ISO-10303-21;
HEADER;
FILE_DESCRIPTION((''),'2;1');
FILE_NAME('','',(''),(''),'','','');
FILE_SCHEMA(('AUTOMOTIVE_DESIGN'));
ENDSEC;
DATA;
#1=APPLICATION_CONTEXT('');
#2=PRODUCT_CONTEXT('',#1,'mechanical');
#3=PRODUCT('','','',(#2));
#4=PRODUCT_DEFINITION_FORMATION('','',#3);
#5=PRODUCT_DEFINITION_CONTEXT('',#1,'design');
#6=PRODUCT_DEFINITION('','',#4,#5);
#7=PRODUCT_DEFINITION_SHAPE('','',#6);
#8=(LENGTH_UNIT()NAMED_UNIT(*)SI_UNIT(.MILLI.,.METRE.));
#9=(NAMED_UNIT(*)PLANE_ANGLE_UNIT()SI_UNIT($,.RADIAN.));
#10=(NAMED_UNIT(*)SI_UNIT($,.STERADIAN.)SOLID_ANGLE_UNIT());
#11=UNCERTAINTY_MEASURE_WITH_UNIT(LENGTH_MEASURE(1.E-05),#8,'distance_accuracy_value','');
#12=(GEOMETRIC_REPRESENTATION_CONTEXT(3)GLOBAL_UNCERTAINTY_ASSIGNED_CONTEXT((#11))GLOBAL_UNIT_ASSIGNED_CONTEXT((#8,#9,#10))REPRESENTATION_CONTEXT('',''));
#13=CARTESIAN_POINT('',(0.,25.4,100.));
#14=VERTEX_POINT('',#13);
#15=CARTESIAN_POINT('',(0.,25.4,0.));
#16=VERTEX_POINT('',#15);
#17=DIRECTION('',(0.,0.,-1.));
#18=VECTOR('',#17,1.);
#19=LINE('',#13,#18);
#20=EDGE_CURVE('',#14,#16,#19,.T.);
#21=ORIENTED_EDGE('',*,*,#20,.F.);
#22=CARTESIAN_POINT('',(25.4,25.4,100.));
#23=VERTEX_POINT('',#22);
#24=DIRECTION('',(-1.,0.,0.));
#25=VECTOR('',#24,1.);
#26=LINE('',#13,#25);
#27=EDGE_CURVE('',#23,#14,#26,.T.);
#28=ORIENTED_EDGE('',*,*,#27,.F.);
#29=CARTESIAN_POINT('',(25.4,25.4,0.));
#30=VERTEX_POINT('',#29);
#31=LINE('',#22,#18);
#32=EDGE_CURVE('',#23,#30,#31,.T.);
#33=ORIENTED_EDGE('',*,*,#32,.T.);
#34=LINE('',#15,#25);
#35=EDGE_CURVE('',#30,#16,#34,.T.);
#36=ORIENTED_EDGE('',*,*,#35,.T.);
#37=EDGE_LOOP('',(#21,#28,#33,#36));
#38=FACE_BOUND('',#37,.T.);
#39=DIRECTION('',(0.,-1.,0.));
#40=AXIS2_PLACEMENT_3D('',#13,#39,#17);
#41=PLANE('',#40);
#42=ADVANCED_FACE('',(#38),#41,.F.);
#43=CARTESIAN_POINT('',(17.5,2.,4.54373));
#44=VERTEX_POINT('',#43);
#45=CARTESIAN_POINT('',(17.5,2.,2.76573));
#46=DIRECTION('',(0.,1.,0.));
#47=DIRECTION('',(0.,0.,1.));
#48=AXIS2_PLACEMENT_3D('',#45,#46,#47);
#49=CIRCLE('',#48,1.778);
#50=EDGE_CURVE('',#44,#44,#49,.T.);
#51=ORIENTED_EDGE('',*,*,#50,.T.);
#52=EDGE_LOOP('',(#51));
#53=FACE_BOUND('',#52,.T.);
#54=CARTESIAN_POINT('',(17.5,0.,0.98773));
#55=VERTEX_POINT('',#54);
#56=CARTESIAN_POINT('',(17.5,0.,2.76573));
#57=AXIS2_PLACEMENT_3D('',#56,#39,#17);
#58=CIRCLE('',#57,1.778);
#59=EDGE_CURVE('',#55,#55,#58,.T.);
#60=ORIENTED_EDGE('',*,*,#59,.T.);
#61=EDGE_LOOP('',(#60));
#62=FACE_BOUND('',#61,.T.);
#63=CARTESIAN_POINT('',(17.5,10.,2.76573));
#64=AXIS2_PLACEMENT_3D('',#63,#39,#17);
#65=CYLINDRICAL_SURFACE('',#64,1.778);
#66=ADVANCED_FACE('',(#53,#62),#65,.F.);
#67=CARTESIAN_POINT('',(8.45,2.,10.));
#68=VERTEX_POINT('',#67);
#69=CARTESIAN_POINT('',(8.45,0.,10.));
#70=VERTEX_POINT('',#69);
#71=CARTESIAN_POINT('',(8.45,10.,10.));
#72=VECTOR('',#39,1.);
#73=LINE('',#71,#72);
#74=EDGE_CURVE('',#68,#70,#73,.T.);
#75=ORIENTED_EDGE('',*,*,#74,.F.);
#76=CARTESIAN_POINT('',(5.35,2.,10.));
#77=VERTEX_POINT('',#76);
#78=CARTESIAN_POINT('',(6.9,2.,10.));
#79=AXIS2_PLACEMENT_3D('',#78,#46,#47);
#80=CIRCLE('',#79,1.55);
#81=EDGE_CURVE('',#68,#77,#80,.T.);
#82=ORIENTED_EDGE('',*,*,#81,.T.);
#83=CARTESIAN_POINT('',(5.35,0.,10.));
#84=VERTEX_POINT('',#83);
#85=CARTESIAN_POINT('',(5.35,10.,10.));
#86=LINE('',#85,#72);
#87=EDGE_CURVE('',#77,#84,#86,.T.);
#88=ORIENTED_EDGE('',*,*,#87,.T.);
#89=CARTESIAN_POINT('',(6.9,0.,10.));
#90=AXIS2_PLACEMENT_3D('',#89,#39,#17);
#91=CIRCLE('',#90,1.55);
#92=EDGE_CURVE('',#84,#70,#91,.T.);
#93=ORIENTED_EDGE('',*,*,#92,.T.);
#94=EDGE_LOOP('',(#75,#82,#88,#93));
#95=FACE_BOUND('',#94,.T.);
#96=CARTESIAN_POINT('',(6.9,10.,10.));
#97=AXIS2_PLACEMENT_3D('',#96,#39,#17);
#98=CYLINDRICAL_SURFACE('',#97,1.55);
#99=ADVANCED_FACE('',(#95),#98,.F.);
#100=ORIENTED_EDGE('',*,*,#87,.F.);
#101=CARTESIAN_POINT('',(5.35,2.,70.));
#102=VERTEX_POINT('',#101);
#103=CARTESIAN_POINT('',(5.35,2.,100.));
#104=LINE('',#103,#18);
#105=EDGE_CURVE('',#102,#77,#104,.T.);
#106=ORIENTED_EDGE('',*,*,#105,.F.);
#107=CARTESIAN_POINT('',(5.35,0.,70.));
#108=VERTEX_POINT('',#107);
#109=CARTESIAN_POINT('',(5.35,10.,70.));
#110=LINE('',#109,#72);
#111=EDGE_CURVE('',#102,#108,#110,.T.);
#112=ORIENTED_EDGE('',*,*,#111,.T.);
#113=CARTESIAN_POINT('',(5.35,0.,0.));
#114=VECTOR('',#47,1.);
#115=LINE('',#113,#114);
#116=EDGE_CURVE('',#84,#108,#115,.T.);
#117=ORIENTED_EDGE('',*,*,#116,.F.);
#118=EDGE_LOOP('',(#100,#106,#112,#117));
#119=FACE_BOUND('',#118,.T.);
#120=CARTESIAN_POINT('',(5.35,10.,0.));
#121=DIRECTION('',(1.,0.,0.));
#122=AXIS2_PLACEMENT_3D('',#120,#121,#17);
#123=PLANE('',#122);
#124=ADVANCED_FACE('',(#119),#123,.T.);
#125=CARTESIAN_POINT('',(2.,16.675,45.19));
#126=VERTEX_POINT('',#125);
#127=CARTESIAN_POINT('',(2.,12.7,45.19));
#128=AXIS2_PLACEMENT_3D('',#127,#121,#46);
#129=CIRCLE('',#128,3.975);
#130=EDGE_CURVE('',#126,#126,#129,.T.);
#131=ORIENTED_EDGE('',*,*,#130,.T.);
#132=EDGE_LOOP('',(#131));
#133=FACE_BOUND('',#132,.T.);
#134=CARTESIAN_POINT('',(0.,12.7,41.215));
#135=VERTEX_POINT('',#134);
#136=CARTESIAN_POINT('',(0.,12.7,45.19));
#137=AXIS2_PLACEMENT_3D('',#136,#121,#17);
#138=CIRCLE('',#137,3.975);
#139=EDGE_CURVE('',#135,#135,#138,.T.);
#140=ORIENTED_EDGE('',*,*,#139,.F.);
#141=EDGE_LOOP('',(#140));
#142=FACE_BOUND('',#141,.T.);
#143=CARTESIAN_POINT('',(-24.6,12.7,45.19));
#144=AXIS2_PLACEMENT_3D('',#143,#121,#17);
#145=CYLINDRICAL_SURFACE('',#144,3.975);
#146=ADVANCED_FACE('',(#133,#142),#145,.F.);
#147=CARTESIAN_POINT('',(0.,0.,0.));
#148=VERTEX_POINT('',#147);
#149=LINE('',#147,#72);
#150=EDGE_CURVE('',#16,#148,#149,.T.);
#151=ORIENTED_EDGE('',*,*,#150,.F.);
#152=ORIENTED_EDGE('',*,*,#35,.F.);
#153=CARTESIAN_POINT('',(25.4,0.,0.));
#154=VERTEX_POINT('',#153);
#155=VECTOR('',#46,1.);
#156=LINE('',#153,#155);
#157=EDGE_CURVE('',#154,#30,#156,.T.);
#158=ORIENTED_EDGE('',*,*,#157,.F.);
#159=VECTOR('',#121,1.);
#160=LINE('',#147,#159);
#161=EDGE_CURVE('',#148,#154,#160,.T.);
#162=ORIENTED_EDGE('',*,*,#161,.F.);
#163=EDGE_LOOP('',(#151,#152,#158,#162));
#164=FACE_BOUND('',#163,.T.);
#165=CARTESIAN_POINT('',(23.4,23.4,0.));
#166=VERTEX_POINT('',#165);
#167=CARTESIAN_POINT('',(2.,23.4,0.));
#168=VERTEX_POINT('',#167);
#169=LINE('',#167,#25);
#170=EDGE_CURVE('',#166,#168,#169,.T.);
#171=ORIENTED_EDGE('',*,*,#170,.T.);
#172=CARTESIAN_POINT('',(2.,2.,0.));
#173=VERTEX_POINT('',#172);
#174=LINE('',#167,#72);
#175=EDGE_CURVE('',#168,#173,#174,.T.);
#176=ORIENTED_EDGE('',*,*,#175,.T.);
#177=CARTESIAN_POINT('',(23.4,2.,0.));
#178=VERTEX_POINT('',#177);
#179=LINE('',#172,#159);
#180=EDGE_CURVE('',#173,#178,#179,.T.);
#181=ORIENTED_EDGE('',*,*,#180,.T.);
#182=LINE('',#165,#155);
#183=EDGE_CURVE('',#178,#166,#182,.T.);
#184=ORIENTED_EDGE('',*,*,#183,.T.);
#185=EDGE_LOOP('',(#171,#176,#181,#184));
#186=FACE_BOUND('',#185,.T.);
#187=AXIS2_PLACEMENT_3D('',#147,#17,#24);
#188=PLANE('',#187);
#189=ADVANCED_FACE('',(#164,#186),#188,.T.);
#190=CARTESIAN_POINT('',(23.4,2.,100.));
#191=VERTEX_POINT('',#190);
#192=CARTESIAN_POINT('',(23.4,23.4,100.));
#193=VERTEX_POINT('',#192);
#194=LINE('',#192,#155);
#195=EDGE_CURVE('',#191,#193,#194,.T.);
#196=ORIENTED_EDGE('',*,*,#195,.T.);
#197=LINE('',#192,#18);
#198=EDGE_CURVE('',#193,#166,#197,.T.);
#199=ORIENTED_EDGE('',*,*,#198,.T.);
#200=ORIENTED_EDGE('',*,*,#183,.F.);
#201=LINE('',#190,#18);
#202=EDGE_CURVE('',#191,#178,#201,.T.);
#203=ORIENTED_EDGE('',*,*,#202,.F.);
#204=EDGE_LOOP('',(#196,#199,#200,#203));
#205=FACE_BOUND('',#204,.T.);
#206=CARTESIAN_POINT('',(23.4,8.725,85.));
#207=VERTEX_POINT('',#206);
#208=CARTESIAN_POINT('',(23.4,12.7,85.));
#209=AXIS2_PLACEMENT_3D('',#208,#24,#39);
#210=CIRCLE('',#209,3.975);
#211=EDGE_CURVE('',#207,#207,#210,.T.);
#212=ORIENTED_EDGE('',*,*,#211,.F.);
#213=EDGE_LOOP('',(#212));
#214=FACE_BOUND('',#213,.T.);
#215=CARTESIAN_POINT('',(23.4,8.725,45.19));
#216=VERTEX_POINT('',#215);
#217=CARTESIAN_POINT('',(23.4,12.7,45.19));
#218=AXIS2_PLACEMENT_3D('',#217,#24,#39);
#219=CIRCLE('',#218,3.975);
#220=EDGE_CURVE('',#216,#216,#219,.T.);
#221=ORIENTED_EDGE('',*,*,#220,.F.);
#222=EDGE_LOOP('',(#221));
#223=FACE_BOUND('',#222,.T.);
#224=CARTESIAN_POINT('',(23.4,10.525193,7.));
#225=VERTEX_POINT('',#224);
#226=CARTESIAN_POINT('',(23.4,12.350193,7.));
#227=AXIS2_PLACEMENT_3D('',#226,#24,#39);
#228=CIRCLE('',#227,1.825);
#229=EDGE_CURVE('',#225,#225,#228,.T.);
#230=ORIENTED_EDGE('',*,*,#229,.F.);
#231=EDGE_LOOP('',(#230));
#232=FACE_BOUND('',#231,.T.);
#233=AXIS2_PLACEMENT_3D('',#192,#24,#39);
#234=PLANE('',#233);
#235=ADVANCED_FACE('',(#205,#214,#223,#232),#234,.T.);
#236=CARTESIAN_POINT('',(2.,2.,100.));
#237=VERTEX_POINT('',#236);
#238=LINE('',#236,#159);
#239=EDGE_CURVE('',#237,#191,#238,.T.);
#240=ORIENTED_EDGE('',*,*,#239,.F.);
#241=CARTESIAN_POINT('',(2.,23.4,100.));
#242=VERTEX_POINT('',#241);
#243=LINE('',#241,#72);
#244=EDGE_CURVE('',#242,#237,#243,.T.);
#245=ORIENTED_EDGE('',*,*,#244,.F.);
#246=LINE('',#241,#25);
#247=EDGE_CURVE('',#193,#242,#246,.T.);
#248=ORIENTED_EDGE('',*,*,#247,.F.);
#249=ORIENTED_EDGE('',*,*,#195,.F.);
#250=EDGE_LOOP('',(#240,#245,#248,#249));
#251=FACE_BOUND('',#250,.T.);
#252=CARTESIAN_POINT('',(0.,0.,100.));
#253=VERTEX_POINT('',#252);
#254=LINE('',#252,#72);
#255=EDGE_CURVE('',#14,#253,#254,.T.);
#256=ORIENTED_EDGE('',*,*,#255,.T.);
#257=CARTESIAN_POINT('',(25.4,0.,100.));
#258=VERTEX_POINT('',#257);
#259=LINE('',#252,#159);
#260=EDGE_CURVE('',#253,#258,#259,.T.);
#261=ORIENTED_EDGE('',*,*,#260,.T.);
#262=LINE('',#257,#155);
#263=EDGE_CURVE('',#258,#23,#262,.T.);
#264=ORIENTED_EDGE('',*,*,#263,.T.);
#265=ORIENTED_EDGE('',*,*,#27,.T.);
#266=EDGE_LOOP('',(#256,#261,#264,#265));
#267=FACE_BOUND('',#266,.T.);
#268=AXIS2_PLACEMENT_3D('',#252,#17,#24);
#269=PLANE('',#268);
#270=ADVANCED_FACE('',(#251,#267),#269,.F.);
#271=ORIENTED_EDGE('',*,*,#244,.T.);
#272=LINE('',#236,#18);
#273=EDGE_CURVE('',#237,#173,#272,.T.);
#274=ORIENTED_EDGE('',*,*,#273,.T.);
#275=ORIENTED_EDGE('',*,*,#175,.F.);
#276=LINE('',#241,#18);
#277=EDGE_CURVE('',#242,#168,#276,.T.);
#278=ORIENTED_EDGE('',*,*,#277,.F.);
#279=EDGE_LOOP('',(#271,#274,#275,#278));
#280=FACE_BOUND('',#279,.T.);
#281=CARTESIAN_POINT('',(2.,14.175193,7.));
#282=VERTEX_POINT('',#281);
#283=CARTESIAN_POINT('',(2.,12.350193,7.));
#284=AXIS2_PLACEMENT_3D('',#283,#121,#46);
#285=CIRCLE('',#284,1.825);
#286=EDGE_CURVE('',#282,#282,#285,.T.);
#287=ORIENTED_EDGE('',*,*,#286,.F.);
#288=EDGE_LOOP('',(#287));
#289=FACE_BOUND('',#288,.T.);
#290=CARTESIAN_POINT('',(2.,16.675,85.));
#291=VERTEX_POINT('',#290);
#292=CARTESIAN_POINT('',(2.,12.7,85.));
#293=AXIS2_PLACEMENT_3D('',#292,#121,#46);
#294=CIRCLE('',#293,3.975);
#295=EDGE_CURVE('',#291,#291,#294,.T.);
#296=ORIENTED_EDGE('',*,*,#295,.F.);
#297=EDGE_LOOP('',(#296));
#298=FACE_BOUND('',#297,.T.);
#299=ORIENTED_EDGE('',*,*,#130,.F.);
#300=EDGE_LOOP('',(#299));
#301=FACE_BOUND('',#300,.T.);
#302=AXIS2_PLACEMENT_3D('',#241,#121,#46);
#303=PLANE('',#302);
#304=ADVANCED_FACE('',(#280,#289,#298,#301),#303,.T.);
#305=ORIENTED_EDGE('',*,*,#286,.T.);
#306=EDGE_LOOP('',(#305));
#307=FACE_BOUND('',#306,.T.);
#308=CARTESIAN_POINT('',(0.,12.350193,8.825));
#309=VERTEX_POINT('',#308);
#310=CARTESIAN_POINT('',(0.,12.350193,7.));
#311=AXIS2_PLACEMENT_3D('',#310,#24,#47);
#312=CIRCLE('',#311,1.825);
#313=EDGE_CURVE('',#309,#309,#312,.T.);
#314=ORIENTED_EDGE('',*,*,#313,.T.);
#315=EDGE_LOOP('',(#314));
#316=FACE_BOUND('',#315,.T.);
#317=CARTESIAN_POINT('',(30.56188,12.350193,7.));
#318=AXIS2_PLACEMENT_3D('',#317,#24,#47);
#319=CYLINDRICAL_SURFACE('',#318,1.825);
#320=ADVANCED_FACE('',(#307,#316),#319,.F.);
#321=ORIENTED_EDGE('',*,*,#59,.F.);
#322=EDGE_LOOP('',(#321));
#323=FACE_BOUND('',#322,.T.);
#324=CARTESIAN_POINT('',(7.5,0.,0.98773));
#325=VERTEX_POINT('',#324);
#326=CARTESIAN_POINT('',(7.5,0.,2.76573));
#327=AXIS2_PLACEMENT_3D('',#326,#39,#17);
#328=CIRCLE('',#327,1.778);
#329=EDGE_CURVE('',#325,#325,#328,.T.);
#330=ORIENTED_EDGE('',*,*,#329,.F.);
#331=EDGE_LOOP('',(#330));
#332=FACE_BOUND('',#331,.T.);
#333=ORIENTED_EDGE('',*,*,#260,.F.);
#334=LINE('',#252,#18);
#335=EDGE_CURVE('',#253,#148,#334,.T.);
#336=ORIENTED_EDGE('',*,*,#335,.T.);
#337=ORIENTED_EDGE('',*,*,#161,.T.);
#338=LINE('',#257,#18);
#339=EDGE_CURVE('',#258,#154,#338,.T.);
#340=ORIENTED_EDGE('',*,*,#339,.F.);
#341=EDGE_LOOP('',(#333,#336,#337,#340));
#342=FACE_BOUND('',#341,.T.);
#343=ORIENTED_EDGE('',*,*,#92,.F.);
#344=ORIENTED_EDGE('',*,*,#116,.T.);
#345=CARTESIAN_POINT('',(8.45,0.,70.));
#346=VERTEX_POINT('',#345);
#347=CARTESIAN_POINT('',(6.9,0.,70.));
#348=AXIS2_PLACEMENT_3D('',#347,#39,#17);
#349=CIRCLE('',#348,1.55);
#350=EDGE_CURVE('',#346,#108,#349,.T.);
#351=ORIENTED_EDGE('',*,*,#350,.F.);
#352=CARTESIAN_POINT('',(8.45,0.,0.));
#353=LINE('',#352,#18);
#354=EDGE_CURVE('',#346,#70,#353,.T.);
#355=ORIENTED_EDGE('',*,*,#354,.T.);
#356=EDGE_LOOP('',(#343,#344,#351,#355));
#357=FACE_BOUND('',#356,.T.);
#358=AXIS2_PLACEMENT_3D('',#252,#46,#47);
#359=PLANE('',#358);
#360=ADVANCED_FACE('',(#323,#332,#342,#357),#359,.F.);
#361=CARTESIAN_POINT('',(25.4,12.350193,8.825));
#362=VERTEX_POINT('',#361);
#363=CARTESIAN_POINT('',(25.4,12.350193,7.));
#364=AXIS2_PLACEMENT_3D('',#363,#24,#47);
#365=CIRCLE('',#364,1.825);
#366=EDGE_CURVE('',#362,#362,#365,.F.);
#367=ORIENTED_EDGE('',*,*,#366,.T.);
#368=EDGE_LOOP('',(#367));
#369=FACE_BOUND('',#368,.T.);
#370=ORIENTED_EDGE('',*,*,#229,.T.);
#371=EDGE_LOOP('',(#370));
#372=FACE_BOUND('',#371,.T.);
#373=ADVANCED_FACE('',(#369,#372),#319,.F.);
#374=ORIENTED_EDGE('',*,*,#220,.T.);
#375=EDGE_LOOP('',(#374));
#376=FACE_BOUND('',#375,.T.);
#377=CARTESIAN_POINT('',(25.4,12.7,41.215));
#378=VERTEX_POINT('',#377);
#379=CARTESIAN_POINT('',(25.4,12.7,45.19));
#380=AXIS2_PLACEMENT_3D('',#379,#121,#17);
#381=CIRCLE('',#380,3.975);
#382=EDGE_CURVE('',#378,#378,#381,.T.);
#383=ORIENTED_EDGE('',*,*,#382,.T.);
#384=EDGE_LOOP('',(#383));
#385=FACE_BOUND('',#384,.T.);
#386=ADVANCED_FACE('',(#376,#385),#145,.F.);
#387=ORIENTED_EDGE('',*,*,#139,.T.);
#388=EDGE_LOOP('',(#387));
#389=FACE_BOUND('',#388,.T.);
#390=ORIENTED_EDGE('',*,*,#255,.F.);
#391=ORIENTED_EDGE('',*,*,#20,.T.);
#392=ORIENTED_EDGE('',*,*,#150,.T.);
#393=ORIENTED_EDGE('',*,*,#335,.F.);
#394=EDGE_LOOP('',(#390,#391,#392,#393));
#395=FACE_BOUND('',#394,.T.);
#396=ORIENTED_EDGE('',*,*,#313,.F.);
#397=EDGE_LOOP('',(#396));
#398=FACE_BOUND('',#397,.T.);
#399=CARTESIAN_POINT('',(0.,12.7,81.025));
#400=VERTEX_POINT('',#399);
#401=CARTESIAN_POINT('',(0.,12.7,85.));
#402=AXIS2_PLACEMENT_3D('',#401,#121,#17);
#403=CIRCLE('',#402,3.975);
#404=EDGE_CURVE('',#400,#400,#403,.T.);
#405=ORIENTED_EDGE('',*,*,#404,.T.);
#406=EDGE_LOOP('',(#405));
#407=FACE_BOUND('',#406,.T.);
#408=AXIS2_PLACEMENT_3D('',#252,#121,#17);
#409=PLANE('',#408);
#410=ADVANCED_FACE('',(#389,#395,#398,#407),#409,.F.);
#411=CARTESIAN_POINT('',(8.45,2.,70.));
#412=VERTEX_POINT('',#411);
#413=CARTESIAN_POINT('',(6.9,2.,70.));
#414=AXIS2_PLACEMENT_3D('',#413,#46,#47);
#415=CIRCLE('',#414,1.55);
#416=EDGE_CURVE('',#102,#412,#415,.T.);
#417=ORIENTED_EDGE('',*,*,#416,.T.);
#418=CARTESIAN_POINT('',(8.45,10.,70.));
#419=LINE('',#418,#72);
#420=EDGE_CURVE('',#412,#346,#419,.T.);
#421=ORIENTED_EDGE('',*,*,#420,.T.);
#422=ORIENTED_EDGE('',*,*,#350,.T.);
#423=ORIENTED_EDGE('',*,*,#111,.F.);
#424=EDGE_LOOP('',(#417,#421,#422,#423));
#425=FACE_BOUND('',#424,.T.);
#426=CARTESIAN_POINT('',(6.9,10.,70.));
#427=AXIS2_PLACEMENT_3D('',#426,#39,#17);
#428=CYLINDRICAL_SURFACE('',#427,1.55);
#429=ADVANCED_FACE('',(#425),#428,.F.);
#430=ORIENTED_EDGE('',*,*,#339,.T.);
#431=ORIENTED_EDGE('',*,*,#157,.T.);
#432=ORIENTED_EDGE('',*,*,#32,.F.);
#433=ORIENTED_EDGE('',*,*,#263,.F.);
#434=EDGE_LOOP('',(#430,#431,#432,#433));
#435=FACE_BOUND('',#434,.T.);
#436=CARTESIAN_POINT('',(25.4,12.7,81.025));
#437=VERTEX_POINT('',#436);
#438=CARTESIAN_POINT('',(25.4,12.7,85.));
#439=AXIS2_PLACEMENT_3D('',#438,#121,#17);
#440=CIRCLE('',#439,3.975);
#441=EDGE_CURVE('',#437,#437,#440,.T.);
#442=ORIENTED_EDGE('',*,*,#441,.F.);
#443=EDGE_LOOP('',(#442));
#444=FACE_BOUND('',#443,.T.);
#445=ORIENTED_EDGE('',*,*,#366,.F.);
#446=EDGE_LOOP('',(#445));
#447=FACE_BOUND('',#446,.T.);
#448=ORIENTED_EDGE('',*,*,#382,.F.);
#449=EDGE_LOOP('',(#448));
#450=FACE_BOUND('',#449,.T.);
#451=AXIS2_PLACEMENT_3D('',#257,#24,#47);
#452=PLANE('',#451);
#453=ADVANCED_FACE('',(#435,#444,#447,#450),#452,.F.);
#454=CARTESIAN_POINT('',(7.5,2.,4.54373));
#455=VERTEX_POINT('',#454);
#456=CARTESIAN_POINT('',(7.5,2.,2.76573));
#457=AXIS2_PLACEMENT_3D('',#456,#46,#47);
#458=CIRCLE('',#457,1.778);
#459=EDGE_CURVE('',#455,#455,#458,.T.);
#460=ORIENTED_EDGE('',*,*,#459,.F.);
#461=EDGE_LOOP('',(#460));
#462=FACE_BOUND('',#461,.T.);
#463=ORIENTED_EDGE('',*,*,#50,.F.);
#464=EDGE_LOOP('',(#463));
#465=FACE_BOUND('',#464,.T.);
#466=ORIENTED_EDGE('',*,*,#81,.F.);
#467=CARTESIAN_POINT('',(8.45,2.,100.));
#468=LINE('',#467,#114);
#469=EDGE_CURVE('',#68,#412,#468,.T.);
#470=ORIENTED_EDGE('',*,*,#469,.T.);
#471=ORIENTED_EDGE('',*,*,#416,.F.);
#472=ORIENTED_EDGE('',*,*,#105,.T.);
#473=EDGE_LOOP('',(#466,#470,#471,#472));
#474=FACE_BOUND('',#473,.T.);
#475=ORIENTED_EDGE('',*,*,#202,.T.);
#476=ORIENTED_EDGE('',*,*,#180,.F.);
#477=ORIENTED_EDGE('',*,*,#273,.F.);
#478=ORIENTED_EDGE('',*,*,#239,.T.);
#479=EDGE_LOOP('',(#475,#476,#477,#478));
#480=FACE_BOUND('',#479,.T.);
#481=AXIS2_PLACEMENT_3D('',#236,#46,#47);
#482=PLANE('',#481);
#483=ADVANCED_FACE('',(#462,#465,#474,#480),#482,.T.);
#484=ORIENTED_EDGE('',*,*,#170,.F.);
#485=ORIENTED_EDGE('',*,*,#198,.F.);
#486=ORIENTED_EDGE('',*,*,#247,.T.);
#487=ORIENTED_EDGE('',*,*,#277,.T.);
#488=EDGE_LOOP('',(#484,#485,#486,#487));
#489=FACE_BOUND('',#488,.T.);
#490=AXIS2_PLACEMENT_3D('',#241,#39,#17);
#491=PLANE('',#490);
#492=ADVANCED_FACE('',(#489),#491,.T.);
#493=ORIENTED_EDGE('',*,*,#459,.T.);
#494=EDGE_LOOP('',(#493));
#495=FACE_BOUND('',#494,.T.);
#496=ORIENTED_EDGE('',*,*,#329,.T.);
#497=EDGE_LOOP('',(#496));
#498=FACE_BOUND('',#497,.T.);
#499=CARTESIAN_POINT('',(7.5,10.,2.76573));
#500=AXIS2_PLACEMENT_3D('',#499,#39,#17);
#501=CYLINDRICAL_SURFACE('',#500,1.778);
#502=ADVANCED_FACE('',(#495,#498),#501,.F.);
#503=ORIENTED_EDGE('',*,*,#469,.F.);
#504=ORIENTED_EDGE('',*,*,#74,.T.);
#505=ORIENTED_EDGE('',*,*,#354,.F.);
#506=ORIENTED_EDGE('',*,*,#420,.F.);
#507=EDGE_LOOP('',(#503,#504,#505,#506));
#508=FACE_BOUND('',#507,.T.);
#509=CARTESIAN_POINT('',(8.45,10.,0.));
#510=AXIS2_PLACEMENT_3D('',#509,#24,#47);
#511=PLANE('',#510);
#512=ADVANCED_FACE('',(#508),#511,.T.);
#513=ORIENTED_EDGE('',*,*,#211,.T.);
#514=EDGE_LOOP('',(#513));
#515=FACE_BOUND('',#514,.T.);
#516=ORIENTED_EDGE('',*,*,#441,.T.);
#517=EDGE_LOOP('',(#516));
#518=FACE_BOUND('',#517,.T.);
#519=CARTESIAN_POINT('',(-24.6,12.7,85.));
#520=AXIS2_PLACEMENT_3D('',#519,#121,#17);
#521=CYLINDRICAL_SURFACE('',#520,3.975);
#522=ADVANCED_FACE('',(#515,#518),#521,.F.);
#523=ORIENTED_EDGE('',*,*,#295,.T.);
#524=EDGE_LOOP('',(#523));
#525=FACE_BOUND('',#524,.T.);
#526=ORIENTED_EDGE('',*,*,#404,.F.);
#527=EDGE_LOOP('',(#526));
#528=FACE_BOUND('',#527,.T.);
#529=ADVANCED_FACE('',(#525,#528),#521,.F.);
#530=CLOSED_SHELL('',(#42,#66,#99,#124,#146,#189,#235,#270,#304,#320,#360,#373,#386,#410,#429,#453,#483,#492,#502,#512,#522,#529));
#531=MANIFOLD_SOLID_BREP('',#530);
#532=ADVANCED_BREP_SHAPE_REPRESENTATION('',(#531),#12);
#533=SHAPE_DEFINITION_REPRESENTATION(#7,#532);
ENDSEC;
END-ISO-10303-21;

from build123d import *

# Parameters (mm, degrees)
SKETCH1_W           = 25.4
SKETCH1_H           = 25.4
SKETCH1_W_2         = 21.4
SKETCH1_H_2         = 21.4
BOSS_EXTRUDE1_DEPTH = 100
SKETCH2_R           = 3.975
CUT_EXTRUDE1_DEPTH  = 50
SKETCH3_R           = 1.55
CUT_EXTRUDE4_DEPTH  = 10
SKETCH4_R           = 1.778
CUT_EXTRUDE5_DEPTH  = 10
CUT_EXTRUDE6_REACH  = 108.256
SKETCH5_R           = 1.825


with BuildPart() as part:
    # Sketch1 → Boss-Extrude1 (new body)
    with BuildSketch(Plane.XY):
        with Locations((12.7, 12.7)):
            Rectangle(SKETCH1_W, SKETCH1_H)
        with Locations((12.7, 12.7)):
            Rectangle(SKETCH1_W_2, SKETCH1_H_2, mode=Mode.SUBTRACT)
    extrude(amount=BOSS_EXTRUDE1_DEPTH)

    # Sketch2 → Cut-Extrude1 (cut)
    with BuildSketch(Plane(origin=(25.4, 0, 0), x_dir=(0, 0, -1), z_dir=(1, 0, 0))):
        with Locations((-85, 12.7)):
            Circle(SKETCH2_R)
        with Locations((-45.19, 12.7)):
            Circle(SKETCH2_R)
    extrude(amount=-CUT_EXTRUDE1_DEPTH, mode=Mode.SUBTRACT)

    # Sketch3 → Cut-Extrude4 (cut)
    with BuildSketch(Plane.XZ):
        with BuildLine():
            Line((8.45, 10), (8.45, 70))
            ThreePointArc((8.45, 70), (6.9, 68.45), (5.35, 70))
            Line((5.35, 70), (5.35, 10))
            ThreePointArc((5.35, 10), (6.9, 11.55), (8.45, 10))
        make_face()
        with Locations((6.9, 10)):
            Circle(SKETCH3_R)
        with BuildLine():
            ThreePointArc((5.35, 70), (6.9, 68.45), (8.45, 70))
            ThreePointArc((8.45, 70), (6.9, 71.55), (5.35, 70))
        make_face()
    extrude(amount=-CUT_EXTRUDE4_DEPTH, mode=Mode.SUBTRACT)

    # Sketch4 → Cut-Extrude5 (cut)
    with BuildSketch(Plane.XZ):
        with Locations(Location((7.5, 2.765729771, 0), (0, 0, 270))):
            Circle(SKETCH4_R)
        with Locations(Location((17.5, 2.765729771, 0), (0, 0, 270))):
            Circle(SKETCH4_R)
    extrude(amount=-CUT_EXTRUDE5_DEPTH, mode=Mode.SUBTRACT)

    # Cut-Extrude6: up to this face of the body (flat: up to its plane)
    cut_extrude6_end = Plane(part.part.faces().sort_by_distance((25.4, 12.7, 49.385999137))[0])
    # Sketch5 → Cut-Extrude6 (cut, up to the picked face)
    with BuildSketch(Plane.ZY, mode=Mode.PRIVATE) as cut_extrude6_sk1:
        with Locations((7, 12.350192929)):
            Circle(SKETCH5_R)
    cut_extrude6_tool1 = split(extrude(cut_extrude6_sk1.sketch, amount=-CUT_EXTRUDE6_REACH, mode=Mode.PRIVATE), bisect_by=cut_extrude6_end, keep=Keep.BOTH, mode=Mode.PRIVATE)
    add(cut_extrude6_tool1.solids().sort_by(Axis((0, 12.350193, 7), (1, 0, 0)))[0], mode=Mode.SUBTRACT)


solid = part.part
